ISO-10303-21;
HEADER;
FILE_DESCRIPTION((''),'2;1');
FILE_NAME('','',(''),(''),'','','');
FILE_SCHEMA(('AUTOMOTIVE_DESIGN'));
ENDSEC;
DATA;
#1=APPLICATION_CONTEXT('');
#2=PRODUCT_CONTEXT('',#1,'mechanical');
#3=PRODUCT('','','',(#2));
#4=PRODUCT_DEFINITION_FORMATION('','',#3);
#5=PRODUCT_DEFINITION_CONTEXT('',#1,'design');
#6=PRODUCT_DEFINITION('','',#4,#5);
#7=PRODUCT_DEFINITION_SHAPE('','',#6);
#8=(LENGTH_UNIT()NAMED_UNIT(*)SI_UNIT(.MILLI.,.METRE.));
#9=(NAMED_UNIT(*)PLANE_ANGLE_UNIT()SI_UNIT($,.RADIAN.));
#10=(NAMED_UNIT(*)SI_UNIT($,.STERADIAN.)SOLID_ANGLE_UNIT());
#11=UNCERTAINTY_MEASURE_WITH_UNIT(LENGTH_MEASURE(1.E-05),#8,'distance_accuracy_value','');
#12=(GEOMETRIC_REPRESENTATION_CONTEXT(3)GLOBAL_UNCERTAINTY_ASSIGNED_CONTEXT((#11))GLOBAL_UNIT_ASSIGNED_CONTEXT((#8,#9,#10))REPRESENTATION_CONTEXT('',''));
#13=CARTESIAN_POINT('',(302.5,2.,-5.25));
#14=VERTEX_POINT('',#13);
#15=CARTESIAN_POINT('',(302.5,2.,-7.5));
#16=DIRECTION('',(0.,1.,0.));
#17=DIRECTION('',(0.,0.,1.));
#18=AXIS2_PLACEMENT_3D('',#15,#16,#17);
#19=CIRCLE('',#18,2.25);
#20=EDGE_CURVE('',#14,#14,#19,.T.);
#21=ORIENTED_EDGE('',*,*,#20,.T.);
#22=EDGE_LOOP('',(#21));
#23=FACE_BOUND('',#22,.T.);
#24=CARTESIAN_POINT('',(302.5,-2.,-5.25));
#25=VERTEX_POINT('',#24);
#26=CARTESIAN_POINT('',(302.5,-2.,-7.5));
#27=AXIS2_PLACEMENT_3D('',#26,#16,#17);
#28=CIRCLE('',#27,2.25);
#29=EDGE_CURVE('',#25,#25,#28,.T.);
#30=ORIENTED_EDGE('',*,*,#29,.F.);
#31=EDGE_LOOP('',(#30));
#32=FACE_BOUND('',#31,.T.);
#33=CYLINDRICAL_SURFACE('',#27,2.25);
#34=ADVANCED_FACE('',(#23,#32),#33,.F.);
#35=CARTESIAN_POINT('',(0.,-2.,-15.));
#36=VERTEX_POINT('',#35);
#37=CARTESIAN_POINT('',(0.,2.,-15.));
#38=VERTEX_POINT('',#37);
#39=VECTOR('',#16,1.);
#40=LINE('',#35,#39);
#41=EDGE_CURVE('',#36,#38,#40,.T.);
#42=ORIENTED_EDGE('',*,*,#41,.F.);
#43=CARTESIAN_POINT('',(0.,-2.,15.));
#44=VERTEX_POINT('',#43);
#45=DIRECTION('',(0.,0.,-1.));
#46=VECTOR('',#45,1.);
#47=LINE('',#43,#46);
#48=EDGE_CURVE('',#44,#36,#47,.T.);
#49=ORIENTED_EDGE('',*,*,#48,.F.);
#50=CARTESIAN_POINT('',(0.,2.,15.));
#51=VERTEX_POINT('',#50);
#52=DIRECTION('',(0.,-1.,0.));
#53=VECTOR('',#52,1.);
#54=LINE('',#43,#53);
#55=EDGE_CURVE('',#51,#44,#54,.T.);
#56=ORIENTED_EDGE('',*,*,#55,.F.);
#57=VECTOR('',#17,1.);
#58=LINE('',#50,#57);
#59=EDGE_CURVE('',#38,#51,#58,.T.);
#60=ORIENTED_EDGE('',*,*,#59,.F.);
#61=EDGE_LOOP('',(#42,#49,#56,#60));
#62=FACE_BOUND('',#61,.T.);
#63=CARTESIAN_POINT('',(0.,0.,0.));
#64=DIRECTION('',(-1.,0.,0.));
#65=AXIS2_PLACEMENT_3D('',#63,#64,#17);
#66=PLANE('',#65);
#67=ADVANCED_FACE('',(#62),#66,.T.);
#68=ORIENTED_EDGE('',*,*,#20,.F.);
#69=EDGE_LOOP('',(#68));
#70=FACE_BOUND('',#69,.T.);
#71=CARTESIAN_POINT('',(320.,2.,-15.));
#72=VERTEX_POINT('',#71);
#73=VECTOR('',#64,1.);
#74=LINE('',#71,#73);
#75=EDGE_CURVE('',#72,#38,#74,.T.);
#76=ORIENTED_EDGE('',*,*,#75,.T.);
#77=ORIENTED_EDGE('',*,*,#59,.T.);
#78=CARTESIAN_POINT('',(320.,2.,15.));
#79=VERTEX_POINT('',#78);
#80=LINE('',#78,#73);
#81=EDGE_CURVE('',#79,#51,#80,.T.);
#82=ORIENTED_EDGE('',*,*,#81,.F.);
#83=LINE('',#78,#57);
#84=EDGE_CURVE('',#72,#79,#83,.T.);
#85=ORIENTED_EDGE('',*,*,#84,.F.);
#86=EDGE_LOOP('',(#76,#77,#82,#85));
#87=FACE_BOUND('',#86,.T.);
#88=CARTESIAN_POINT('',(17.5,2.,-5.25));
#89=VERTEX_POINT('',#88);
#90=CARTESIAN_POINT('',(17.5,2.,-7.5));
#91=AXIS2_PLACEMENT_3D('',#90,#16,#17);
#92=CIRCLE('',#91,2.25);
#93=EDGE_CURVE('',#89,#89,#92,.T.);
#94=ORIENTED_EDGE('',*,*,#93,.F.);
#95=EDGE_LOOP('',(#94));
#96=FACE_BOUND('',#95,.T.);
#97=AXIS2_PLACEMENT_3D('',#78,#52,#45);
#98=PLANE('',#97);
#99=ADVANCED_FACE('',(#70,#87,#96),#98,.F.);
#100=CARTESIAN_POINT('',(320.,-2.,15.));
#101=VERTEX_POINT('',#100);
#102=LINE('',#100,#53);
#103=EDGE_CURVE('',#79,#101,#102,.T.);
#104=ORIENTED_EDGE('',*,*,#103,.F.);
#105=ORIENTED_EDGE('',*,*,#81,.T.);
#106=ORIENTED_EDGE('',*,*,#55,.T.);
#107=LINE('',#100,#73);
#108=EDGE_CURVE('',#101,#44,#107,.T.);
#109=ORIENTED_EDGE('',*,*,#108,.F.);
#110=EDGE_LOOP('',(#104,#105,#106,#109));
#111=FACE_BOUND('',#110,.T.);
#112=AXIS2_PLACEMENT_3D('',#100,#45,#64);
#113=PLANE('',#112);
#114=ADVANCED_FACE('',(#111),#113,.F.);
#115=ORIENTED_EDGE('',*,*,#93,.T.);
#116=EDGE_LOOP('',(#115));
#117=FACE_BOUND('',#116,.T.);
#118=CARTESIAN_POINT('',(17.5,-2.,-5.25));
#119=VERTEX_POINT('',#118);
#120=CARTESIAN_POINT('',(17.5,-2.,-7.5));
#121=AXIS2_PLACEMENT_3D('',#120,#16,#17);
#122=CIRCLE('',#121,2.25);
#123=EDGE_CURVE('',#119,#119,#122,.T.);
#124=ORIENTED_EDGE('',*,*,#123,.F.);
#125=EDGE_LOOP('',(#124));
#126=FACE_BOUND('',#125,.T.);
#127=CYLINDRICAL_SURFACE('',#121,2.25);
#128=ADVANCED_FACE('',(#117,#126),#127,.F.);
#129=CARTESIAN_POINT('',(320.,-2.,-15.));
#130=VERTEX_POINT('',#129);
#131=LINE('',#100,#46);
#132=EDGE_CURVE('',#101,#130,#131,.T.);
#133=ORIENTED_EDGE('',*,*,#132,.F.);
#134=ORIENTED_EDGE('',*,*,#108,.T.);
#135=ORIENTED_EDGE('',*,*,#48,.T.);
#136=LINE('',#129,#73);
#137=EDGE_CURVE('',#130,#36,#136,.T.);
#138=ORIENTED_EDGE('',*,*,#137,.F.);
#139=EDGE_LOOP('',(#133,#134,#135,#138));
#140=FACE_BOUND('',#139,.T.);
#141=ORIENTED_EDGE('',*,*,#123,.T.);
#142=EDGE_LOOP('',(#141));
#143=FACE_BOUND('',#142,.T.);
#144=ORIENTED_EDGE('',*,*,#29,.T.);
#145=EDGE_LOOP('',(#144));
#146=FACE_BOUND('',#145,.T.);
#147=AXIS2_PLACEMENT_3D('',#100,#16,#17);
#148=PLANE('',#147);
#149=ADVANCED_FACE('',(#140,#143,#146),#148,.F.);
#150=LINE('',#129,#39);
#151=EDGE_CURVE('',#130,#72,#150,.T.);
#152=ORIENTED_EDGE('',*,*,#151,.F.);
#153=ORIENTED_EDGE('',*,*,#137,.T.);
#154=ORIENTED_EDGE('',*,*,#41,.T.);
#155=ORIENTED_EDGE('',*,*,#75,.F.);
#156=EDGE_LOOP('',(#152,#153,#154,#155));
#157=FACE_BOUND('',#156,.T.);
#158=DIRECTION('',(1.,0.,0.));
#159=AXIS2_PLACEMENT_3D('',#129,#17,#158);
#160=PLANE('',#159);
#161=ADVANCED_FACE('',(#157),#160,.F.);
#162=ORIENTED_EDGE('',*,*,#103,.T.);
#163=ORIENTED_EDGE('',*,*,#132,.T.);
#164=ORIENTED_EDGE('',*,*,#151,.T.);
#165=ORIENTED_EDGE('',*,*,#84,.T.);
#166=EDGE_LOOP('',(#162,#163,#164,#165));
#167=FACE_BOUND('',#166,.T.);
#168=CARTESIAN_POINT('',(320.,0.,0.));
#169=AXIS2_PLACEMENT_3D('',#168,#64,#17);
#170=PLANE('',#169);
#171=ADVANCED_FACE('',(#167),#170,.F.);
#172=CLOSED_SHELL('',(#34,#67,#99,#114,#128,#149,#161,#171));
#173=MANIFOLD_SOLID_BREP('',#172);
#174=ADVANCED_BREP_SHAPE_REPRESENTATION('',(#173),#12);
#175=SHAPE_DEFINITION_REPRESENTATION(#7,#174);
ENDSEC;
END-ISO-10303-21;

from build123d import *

# Parameters (mm, degrees)
SKETCH_1_W          = 30
SKETCH_1_H          = 4
EXTRUDE_1_DEPTH     = 320
SKETCH_2_R          = 2.25
CUT_EXTRUDE_1_DEPTH = 5


with BuildPart() as part:
    # Эскиз1 → Бобышка-Вытянуть1 (new body)
    with BuildSketch(Plane(origin=(0, 0, 0), x_dir=(0, 0, -1), z_dir=(1, 0, 0))):
        Rectangle(SKETCH_1_W, SKETCH_1_H)
    extrude(amount=EXTRUDE_1_DEPTH)

    # Эскиз2 → Вырез-Вытянуть1 (cut, through all)
    with BuildSketch(Plane(origin=(0, 2, 0), x_dir=(1, 0, 0), z_dir=(0, 1, 0))):
        with Locations((17.5, 7.5)):
            Circle(SKETCH_2_R)
        with Locations((302.5, 7.5)):
            Circle(SKETCH_2_R)
    extrude(amount=-CUT_EXTRUDE_1_DEPTH, mode=Mode.SUBTRACT)


solid = part.part
